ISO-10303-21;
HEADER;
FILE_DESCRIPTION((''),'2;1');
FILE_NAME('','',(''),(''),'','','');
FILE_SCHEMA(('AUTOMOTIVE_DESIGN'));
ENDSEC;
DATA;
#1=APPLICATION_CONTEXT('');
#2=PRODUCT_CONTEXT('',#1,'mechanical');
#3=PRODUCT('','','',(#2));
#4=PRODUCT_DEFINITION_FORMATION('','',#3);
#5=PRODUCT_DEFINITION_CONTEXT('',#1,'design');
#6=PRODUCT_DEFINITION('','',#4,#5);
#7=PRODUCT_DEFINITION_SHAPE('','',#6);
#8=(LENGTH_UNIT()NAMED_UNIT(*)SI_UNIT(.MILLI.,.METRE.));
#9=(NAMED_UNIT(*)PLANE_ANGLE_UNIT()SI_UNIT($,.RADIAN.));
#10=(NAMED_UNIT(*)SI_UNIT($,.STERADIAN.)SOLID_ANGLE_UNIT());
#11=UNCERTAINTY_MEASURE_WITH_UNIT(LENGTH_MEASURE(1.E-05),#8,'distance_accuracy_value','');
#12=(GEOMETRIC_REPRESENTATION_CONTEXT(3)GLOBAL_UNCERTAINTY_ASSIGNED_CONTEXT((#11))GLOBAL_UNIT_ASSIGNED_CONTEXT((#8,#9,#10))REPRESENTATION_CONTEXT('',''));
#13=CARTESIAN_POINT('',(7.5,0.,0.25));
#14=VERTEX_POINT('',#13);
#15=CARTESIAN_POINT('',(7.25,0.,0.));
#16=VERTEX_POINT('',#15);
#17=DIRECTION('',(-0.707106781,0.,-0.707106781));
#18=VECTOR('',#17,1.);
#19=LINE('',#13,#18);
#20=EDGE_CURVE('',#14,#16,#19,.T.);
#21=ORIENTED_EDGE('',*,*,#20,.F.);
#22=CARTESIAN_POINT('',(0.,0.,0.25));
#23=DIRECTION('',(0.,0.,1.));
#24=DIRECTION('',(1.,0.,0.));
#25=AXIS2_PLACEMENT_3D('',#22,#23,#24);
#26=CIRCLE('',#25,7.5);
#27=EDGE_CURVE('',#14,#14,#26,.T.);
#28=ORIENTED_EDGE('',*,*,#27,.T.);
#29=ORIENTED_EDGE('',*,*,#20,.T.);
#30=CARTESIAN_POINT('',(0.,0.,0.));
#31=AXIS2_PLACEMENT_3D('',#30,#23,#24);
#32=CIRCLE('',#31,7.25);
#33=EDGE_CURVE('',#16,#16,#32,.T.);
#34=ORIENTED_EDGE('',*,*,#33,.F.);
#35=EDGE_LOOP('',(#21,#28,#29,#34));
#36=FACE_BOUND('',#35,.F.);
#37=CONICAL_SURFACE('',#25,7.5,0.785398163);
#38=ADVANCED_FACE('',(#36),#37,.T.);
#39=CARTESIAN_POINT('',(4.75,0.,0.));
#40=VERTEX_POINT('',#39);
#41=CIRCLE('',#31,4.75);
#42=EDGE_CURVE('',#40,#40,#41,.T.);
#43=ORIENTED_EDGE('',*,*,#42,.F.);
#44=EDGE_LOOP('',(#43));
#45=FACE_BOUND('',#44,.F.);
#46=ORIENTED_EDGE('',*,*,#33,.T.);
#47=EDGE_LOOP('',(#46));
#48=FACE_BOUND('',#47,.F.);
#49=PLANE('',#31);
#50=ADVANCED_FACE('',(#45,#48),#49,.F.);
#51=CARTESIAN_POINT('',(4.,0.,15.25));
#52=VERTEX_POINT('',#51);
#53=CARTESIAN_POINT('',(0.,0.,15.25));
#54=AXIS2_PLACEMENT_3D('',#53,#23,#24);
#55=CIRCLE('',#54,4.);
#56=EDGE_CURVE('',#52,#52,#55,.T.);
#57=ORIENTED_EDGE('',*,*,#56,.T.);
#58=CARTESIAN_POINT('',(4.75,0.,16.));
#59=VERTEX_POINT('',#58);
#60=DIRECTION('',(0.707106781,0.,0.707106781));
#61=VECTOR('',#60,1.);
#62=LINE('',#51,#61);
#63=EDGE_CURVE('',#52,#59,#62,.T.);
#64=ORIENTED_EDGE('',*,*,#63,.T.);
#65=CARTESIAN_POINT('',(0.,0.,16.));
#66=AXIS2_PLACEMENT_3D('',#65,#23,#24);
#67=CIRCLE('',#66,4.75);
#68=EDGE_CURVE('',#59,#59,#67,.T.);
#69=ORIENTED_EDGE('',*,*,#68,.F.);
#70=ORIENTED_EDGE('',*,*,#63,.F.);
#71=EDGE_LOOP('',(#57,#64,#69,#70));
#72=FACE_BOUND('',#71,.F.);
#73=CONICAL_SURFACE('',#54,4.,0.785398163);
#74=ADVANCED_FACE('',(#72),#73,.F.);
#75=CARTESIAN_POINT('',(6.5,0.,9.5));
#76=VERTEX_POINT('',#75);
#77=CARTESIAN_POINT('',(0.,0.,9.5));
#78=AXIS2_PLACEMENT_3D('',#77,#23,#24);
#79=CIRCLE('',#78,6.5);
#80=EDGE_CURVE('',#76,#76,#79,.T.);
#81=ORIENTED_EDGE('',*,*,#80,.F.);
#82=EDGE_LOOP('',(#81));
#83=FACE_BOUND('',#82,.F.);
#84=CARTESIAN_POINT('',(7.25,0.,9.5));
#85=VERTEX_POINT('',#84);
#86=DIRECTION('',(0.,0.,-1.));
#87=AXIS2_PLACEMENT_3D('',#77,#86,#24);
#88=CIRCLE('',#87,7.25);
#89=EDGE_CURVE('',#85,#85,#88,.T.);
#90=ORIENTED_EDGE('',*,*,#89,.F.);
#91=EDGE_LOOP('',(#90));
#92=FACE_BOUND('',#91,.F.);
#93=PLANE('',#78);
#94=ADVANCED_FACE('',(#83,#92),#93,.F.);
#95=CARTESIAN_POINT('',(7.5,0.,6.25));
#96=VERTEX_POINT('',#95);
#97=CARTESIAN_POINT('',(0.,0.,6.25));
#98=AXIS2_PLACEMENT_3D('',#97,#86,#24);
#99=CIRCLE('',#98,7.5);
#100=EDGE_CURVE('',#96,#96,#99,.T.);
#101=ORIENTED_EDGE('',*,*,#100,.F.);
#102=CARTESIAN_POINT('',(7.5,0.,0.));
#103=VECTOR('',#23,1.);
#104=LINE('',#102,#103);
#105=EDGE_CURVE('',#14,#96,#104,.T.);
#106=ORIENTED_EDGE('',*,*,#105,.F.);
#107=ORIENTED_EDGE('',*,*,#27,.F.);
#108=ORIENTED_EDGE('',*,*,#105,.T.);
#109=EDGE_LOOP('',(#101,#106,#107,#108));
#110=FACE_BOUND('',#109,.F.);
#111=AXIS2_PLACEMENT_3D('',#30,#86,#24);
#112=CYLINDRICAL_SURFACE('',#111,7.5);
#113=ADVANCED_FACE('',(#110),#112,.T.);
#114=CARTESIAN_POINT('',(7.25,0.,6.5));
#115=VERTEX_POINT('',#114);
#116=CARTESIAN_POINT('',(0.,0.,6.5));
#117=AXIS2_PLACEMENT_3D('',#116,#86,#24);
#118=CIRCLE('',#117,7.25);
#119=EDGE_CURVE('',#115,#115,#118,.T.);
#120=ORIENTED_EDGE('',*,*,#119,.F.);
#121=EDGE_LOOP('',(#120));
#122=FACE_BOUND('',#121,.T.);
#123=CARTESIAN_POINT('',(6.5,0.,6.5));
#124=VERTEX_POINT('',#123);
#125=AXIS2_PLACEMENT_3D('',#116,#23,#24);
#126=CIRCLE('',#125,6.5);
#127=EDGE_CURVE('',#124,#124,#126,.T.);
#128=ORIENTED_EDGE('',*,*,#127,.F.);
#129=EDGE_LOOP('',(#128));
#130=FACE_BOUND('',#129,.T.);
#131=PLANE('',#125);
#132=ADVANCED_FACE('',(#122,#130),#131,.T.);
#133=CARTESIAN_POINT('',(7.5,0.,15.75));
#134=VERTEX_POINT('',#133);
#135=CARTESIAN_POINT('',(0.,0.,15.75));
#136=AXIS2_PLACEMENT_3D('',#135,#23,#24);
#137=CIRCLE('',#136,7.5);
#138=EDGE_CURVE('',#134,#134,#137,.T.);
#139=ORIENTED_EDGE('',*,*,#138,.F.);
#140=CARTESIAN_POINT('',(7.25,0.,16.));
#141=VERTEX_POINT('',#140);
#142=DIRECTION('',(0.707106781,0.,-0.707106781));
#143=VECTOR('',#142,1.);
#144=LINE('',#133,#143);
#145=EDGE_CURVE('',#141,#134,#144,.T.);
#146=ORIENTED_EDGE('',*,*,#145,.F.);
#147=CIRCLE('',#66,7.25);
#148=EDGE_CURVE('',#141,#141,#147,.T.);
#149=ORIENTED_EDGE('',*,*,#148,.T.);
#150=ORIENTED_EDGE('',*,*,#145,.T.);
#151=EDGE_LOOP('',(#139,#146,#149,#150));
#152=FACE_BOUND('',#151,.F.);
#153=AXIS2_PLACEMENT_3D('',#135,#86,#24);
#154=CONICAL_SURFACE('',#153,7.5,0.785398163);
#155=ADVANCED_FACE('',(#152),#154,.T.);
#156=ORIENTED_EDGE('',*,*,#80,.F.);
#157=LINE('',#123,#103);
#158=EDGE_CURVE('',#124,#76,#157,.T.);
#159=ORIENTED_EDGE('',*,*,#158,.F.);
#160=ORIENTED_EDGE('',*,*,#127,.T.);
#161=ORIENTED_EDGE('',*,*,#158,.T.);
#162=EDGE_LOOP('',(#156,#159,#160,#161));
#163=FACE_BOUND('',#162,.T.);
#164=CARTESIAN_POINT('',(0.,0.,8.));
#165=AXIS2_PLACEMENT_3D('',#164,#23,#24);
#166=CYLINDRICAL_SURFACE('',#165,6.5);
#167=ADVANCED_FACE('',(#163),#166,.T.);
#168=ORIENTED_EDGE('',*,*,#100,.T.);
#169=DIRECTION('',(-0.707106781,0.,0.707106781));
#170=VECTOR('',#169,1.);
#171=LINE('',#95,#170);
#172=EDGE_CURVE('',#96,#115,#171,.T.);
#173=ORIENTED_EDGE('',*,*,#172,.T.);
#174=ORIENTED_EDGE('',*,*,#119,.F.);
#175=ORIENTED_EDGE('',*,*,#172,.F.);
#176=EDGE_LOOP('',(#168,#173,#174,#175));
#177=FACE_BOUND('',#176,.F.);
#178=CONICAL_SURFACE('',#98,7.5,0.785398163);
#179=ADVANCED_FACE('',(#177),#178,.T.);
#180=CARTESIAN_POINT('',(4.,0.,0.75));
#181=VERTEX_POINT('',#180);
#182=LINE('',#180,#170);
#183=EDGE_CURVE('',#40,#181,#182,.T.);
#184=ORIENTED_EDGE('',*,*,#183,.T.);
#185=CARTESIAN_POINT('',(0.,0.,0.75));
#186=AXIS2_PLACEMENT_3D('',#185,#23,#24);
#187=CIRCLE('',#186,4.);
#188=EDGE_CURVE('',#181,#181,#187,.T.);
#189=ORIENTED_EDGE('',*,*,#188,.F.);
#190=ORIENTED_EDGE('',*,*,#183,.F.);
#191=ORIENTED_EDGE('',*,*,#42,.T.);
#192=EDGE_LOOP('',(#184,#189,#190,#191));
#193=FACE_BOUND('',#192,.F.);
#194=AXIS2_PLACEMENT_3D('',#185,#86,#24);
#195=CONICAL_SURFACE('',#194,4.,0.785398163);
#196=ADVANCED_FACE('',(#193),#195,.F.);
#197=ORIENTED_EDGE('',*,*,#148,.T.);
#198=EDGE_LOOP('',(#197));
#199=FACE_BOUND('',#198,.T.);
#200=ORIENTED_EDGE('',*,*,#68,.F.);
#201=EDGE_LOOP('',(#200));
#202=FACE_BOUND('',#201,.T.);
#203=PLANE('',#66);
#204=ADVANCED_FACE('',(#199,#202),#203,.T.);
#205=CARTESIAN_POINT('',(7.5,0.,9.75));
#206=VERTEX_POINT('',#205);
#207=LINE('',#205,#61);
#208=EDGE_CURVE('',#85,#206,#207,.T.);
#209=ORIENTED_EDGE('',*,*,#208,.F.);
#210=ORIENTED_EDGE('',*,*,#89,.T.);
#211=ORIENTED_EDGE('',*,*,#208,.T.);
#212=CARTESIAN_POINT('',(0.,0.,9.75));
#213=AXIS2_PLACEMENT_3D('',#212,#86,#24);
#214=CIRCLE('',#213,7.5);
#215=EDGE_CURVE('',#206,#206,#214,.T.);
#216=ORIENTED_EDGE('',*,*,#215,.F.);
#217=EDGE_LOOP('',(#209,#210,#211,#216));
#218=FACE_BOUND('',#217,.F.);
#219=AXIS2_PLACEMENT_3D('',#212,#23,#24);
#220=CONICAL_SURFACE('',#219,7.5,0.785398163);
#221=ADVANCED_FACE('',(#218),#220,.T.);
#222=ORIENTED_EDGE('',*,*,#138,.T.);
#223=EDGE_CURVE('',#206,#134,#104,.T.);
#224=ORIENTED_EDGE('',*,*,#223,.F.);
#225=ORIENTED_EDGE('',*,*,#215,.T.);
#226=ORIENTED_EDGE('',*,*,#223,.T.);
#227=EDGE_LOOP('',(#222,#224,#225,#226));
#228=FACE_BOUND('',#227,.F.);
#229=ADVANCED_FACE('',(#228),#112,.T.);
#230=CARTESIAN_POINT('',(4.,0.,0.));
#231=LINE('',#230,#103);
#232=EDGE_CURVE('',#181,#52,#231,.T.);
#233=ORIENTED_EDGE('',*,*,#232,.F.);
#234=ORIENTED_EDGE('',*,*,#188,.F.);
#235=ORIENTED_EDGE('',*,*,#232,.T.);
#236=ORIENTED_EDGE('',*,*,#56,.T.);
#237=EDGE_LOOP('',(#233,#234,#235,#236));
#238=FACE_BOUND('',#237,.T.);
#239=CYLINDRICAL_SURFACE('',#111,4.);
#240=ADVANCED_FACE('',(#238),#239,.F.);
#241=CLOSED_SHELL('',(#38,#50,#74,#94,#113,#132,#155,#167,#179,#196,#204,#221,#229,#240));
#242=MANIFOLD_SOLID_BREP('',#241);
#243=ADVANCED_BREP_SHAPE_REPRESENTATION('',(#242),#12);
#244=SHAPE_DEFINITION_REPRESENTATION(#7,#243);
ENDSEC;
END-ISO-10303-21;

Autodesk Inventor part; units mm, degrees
ref_plane "YZ Plane" through (0, 0, 0) normal (1, 0, 0) x (0, 1, 0)
ref_plane "XZ Plane" through (0, 0, 0) normal (0, 1, 0) x (-1, 0, 0)
sketch "Sketch2" plane through (0, 0, 0) normal (0, 0, 1) x (1, 0, 0)
  circle A0 centre (0, 0) radius 4
  circle A1 centre (0, 0) radius 7.5
  dimension "d0" = 8
  dimension "d1" = 15
extrude "Extrusion1" add sketch "Sketch2" along normal blind 16
ref_plane "Work Plane1" through (0, 0, 8) normal (0, 0, 1) x (1, 0, 0)
sketch "Sketch3" plane through (0, 0, 8) normal (0, 0, 1) x (1, 0, 0)
  circle A0 centre (0, 0) radius 6.5
  circle A1 centre (0, 0) radius 8
  circle A2 centre (0, 0) radius 4
  dimension "d4" = 13
  dimension "d5" = 16
  dimension "d6" = 8
extrude "Extrusion2" cut sketch "Sketch3" along normal mid plane 3 contours A1
chamfer "Chamfer1" distance 0.25 angle 45 2 edges at (-7.5, 0, 16) (-7.5, 0, 0)
chamfer "Chamfer2" distance 0.75 angle 45 2 edges at (-4, 0, 16) (-4, 0, 0)
chamfer "Chamfer3" distance 0.25 angle 45 2 edges at (-7.5, 0, 9.5) (-7.5, 0, 6.5)
properties part number "Striped Bushing" material "Brass, Soft Yellow"
